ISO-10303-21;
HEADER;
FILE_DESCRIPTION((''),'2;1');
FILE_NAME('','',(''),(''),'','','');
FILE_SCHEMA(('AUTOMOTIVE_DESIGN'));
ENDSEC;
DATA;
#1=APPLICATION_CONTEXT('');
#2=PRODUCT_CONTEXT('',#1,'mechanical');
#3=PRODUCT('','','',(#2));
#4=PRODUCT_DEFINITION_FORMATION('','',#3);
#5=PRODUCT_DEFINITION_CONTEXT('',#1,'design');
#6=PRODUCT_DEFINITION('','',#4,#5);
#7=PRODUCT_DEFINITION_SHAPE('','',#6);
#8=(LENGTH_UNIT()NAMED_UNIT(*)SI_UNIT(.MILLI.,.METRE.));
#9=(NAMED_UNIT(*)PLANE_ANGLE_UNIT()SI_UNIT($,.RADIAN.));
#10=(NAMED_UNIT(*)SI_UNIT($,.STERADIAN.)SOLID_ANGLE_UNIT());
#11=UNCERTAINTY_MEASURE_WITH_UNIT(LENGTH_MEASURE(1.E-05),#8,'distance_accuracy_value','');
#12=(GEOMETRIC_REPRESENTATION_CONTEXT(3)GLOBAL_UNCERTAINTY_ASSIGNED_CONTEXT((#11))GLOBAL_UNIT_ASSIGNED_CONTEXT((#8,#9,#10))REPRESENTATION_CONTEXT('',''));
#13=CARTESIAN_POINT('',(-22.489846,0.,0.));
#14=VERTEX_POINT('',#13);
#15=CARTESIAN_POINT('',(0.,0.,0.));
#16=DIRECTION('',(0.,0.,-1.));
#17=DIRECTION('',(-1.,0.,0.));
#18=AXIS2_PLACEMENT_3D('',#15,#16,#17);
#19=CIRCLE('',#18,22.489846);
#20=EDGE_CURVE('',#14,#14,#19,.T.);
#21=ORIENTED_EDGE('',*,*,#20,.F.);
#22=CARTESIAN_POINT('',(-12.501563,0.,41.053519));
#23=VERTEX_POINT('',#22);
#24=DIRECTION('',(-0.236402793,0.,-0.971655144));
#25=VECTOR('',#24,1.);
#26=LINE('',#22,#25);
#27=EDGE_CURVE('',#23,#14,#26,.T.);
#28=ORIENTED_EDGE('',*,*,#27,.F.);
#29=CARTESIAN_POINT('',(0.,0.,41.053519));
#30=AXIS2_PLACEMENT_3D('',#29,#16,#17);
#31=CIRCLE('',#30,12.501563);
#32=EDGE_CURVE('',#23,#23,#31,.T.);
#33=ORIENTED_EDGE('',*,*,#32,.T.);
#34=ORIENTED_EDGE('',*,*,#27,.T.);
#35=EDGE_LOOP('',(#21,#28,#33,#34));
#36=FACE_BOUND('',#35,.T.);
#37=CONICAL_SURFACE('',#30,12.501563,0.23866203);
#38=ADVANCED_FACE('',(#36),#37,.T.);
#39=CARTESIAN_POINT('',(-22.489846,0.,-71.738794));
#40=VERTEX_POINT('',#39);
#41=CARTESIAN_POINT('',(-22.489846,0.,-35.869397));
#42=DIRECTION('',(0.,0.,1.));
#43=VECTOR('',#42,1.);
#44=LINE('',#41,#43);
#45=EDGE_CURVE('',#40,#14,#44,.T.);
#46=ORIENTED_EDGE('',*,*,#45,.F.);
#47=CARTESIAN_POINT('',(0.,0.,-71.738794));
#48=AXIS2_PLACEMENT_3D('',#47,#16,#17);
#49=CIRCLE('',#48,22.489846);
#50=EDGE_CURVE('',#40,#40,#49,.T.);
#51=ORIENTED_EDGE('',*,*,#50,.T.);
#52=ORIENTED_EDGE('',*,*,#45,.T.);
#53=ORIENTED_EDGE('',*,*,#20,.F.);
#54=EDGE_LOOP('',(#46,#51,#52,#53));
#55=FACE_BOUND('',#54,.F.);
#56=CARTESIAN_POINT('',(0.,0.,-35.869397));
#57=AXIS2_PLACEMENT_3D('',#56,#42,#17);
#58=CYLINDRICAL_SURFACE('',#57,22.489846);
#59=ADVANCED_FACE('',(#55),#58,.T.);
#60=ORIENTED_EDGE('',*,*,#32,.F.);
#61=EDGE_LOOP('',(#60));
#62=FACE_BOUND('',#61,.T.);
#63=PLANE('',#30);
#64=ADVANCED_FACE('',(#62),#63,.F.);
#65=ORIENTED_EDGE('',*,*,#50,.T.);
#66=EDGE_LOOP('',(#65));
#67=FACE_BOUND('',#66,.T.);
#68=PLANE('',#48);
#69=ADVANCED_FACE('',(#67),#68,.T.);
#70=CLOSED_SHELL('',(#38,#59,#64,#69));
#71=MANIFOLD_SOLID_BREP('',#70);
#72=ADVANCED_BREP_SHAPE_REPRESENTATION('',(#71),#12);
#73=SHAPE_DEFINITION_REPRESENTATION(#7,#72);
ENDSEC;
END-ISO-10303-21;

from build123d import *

# Parameters (mm, degrees)
F0_W = 22.489846
F0_H = 71.738795


with BuildPart() as f1:
    # F0 (on Front) → F1 (revolve)
    with BuildSketch(Plane.XZ):
        with Locations((-11.244923, -35.869397)):
            Rectangle(F0_W, F0_H)
        Polygon((-22.489846, 0), (0, 0), (0, 41.053519), (-12.501563, 41.053519), align=None)
    revolve(axis=Axis((0, 0, -12.420908), (0, 0, -1)))


solid = f1.part
